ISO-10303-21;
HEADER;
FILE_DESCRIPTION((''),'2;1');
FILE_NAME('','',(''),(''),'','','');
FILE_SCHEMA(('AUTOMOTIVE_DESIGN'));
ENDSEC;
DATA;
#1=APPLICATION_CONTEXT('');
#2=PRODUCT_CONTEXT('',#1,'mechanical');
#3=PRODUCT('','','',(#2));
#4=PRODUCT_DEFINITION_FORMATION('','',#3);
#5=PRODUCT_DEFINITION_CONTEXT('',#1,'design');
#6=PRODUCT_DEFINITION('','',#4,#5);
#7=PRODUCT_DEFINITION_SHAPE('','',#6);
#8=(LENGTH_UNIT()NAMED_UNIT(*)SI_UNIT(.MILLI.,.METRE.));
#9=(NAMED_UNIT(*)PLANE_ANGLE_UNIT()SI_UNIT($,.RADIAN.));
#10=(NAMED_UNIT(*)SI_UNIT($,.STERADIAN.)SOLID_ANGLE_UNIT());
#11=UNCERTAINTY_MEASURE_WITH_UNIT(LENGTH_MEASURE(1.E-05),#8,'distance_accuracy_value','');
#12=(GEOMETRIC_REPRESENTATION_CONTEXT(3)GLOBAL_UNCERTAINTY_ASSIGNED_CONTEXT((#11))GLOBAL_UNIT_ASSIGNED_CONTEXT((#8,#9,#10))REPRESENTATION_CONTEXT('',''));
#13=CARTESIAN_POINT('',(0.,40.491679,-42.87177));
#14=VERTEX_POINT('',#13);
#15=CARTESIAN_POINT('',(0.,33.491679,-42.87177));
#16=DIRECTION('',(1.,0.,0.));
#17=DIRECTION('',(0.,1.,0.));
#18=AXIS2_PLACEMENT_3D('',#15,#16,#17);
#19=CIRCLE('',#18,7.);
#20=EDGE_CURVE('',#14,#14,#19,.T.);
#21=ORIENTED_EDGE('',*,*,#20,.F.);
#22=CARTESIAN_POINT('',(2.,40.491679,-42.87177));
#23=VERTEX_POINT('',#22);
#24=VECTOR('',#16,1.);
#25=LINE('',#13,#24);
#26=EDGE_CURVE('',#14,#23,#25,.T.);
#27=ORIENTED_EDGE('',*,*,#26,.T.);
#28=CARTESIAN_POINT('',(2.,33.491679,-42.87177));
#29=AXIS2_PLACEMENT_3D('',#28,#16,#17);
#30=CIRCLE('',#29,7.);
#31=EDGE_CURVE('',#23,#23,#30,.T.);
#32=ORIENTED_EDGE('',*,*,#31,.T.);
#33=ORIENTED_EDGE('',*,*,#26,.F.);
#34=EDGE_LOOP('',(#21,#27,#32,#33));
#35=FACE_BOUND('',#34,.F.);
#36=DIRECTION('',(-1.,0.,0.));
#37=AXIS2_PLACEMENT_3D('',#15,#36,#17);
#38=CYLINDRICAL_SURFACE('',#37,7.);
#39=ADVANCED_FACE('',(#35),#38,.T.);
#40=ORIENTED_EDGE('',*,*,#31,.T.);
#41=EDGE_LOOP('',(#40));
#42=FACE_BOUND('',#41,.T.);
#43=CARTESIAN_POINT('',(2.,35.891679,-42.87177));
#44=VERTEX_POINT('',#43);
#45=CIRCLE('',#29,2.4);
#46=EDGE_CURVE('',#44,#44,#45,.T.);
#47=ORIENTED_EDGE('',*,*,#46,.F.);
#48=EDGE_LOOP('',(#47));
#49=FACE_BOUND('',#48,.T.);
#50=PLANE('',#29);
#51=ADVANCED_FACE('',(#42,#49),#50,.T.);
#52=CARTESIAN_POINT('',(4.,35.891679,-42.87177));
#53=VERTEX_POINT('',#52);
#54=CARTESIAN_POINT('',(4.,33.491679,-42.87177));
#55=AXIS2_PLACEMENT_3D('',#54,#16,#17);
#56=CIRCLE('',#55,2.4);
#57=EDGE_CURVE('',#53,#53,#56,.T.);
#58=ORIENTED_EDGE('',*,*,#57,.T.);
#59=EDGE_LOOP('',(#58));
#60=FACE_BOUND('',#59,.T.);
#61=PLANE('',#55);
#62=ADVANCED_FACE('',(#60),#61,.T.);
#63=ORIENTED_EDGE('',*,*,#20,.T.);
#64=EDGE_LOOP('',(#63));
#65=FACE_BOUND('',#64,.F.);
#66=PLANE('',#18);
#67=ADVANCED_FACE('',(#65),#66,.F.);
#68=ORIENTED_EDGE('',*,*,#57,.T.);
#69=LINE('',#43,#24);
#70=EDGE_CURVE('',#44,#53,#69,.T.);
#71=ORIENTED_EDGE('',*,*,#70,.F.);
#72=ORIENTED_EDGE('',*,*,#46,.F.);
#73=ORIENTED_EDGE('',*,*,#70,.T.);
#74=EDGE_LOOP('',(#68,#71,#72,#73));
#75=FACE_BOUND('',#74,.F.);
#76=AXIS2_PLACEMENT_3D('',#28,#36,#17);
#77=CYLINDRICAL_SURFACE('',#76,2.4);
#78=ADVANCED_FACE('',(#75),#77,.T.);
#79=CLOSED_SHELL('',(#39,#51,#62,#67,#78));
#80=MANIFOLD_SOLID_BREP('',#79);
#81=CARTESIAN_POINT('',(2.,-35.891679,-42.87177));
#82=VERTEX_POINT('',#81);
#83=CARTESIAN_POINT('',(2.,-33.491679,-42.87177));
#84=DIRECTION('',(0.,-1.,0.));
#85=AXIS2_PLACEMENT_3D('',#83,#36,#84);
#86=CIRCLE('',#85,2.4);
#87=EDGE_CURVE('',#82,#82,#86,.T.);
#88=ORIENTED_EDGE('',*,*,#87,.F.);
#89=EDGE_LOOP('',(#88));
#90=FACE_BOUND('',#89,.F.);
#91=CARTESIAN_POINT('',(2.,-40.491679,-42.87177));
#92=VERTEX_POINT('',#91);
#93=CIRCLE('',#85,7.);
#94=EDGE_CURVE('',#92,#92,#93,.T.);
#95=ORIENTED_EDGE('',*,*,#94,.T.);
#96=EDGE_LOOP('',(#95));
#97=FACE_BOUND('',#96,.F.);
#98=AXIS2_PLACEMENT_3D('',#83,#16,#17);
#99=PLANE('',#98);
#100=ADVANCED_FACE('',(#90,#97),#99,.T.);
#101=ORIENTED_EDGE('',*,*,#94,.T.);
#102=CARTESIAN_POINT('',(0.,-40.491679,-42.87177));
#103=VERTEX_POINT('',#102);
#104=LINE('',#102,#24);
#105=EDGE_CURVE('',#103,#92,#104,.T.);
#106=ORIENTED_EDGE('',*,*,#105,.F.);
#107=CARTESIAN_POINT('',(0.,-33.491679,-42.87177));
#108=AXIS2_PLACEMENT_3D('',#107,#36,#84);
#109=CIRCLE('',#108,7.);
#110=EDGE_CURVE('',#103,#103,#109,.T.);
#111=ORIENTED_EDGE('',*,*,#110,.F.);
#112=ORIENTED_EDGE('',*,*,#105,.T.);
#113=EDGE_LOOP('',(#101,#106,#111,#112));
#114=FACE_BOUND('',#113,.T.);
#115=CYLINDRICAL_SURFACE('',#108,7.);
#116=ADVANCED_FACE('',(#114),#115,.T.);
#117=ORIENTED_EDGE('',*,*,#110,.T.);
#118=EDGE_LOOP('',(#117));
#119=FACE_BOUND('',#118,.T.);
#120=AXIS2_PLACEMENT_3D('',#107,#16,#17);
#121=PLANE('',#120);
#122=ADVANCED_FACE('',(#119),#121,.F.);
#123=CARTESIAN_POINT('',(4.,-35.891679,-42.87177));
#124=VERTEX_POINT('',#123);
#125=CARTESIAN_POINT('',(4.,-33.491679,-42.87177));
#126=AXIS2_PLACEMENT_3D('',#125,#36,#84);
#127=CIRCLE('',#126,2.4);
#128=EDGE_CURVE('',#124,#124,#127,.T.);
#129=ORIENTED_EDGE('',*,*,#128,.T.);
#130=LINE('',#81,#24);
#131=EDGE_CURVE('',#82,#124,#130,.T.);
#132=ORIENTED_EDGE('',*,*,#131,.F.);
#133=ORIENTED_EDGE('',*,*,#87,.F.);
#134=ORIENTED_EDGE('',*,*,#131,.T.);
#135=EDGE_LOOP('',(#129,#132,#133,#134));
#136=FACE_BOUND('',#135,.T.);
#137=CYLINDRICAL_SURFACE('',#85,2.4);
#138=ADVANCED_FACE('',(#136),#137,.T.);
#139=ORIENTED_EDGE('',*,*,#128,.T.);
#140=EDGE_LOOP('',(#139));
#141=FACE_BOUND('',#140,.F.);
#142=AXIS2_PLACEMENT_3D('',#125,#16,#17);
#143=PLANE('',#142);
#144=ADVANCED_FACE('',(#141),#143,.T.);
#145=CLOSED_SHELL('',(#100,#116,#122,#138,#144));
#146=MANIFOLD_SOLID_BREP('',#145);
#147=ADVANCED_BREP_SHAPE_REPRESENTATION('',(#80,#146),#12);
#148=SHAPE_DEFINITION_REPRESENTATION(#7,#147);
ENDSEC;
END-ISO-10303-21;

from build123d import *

# Parameters (mm, degrees)
F0_R     = 7
F1_DEPTH = 2
F2_R     = 2.4
F3_DEPTH = 2


with BuildPart() as f1:
    # F0 (on Right) → F1 (new body)
    with BuildSketch(Plane.YZ):
        with Locations((33.491679, -42.87177)):
            Circle(F0_R)
    extrude(amount=F1_DEPTH)

    # F2 (on face) → F3 (join)
    with BuildSketch(Plane.YZ.offset(2)):
        with Locations((33.491679, -42.87177)):
            Circle(F2_R)
    extrude(amount=F3_DEPTH)


with BuildPart() as f4_1:
    # F4: instance of F1
    add(f1.part.mirror(Plane.XZ))


solid = Compound([f1.part, f4_1.part])
